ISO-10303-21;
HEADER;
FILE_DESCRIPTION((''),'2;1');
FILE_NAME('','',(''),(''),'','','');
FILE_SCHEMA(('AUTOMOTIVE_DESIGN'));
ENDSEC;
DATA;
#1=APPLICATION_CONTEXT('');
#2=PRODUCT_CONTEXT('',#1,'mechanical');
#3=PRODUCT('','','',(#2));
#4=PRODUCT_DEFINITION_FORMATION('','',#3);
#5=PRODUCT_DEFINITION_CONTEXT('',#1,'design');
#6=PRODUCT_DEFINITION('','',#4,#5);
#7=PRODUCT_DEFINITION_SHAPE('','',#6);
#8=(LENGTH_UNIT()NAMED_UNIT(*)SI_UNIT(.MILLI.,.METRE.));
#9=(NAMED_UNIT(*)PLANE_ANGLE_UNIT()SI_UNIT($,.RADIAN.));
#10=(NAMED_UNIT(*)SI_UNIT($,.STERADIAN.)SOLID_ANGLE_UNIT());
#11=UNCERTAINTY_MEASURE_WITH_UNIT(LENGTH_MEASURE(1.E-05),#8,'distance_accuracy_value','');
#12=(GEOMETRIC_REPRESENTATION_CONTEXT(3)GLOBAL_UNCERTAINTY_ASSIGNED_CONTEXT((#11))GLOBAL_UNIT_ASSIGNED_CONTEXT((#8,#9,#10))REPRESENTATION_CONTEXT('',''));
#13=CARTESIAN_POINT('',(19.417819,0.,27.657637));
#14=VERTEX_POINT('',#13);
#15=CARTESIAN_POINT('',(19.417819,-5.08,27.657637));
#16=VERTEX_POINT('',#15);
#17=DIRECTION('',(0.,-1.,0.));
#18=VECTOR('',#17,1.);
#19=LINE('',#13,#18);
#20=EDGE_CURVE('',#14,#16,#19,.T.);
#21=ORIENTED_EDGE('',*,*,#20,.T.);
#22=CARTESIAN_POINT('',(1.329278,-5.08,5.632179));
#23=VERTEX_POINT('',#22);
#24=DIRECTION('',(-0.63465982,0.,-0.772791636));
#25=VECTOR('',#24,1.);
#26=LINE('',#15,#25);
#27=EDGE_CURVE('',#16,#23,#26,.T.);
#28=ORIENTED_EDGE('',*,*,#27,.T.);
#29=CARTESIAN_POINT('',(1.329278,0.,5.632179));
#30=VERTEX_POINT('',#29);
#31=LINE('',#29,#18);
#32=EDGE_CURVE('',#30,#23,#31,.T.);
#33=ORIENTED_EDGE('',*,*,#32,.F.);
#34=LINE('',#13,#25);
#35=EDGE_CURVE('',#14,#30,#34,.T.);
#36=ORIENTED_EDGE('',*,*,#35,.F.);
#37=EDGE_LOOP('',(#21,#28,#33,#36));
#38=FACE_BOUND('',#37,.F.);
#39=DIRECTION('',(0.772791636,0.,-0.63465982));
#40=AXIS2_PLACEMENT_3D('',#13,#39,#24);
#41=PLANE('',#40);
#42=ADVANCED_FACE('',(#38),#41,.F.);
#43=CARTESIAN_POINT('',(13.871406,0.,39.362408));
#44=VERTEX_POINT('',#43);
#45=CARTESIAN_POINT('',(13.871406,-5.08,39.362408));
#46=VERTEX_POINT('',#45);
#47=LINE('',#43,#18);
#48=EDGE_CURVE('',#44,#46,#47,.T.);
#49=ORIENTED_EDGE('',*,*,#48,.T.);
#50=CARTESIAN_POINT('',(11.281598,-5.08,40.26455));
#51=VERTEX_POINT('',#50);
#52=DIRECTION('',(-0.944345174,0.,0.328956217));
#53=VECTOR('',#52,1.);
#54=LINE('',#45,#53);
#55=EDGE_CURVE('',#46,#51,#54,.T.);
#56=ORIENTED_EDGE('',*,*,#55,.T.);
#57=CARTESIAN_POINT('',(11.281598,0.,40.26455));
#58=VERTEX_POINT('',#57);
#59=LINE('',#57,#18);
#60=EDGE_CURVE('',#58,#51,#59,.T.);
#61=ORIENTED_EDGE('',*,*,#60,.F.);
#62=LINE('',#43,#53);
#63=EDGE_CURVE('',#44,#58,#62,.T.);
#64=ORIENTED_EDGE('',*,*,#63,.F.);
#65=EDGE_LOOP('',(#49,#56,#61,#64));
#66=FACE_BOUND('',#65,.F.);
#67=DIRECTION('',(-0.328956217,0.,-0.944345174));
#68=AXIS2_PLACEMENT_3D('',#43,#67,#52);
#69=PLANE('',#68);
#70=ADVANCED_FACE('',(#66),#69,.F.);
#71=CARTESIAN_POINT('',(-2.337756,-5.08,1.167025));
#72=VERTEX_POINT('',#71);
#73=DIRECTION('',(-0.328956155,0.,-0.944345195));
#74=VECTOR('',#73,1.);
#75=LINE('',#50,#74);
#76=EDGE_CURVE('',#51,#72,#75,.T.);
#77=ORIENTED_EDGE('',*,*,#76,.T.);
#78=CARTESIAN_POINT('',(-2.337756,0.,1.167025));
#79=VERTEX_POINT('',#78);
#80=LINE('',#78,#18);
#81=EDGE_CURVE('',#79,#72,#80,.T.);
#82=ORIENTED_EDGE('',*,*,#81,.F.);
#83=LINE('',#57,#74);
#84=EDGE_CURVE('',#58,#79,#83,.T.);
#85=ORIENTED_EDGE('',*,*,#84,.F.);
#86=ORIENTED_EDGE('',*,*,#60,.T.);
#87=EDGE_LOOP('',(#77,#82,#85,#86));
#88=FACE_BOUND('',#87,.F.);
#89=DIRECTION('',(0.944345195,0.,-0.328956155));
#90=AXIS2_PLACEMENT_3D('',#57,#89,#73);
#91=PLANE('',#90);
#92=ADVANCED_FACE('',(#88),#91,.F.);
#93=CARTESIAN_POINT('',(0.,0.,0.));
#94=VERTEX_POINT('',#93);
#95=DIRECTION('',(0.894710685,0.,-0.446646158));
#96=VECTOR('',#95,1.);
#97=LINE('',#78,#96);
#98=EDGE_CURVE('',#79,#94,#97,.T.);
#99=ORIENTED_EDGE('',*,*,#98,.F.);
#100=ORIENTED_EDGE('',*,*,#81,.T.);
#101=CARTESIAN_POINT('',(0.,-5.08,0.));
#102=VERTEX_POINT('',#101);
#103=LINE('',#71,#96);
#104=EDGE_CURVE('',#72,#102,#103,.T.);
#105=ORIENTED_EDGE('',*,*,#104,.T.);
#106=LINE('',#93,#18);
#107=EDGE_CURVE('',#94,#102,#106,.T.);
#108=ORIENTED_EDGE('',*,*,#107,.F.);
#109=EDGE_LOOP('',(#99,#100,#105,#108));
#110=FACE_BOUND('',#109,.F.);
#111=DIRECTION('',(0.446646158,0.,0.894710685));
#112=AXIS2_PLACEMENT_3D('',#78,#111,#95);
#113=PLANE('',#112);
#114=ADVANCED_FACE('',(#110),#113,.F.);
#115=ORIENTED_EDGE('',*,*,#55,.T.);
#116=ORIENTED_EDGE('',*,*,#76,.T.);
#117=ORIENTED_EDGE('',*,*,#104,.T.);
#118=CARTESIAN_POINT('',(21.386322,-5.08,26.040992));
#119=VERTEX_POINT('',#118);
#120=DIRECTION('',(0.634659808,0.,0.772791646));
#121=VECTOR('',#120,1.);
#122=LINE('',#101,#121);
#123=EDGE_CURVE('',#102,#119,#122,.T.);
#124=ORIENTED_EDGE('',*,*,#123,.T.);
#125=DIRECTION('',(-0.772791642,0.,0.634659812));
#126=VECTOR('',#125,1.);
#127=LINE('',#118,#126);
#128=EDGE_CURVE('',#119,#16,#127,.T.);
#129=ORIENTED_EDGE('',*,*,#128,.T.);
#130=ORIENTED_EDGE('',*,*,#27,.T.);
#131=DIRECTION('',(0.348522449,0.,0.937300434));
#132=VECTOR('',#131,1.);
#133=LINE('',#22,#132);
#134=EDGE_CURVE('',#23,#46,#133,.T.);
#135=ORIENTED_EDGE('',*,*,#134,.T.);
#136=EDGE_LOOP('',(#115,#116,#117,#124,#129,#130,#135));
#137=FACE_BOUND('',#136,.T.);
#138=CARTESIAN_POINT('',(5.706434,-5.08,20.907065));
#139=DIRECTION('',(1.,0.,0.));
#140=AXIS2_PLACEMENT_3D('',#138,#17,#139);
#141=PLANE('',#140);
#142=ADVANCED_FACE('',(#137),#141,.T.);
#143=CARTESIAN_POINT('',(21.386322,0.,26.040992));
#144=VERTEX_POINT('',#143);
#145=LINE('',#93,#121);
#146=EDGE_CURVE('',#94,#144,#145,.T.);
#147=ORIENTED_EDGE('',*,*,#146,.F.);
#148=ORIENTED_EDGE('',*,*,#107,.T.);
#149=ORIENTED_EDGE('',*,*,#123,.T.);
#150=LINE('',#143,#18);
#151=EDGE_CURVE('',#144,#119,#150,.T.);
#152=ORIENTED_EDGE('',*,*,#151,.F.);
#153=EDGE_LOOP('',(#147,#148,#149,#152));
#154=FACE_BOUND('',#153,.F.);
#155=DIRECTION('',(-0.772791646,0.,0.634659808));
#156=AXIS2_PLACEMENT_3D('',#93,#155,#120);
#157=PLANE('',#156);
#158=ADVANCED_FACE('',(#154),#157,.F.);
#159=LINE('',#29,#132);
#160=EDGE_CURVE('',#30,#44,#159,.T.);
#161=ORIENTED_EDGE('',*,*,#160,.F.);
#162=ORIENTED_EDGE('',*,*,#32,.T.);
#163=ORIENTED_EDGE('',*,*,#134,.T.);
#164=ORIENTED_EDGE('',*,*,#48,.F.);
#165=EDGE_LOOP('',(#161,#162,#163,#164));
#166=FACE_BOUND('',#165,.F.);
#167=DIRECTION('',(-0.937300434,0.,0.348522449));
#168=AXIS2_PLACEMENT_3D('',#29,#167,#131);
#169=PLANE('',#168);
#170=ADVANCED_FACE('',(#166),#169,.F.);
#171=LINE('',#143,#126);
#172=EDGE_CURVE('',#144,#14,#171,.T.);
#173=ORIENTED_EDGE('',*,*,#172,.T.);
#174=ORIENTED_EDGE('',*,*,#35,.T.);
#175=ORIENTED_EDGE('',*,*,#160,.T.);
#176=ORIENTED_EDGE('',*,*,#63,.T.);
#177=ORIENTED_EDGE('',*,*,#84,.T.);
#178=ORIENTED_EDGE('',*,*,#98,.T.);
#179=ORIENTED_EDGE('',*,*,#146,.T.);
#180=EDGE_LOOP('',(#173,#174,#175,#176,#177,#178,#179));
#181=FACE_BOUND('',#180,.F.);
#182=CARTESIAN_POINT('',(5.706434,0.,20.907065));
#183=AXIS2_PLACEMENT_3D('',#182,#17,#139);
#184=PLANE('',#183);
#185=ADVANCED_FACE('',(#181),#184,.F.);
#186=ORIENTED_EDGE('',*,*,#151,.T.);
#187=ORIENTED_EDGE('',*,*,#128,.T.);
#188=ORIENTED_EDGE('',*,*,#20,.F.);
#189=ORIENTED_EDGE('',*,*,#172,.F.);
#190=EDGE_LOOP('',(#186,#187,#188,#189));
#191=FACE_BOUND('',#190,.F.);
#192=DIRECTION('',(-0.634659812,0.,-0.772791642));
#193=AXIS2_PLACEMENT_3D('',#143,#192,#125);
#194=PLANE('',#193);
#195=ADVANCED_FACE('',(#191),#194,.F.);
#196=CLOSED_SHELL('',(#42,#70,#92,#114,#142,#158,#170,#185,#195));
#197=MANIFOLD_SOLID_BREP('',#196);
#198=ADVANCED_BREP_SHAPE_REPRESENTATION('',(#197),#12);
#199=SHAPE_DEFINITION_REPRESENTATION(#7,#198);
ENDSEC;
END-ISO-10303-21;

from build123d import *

# Parameters (mm, degrees)
F1_DEPTH = 5.08


with BuildPart() as f1:
    # F0 (on Front) → F1 (new body)
    with BuildSketch(Plane.XZ):
        Polygon((11.281598, 40.26455), (-2.337756, 1.167025), (1.329278, 5.632179), (13.871406, 39.362408), align=None)
        Polygon((-2.337756, 1.167025), (0, 0), (21.386322, 26.040992), (19.417819, 27.657637), (1.329278, 5.632179), align=None)
    extrude(amount=F1_DEPTH)


solid = f1.part
